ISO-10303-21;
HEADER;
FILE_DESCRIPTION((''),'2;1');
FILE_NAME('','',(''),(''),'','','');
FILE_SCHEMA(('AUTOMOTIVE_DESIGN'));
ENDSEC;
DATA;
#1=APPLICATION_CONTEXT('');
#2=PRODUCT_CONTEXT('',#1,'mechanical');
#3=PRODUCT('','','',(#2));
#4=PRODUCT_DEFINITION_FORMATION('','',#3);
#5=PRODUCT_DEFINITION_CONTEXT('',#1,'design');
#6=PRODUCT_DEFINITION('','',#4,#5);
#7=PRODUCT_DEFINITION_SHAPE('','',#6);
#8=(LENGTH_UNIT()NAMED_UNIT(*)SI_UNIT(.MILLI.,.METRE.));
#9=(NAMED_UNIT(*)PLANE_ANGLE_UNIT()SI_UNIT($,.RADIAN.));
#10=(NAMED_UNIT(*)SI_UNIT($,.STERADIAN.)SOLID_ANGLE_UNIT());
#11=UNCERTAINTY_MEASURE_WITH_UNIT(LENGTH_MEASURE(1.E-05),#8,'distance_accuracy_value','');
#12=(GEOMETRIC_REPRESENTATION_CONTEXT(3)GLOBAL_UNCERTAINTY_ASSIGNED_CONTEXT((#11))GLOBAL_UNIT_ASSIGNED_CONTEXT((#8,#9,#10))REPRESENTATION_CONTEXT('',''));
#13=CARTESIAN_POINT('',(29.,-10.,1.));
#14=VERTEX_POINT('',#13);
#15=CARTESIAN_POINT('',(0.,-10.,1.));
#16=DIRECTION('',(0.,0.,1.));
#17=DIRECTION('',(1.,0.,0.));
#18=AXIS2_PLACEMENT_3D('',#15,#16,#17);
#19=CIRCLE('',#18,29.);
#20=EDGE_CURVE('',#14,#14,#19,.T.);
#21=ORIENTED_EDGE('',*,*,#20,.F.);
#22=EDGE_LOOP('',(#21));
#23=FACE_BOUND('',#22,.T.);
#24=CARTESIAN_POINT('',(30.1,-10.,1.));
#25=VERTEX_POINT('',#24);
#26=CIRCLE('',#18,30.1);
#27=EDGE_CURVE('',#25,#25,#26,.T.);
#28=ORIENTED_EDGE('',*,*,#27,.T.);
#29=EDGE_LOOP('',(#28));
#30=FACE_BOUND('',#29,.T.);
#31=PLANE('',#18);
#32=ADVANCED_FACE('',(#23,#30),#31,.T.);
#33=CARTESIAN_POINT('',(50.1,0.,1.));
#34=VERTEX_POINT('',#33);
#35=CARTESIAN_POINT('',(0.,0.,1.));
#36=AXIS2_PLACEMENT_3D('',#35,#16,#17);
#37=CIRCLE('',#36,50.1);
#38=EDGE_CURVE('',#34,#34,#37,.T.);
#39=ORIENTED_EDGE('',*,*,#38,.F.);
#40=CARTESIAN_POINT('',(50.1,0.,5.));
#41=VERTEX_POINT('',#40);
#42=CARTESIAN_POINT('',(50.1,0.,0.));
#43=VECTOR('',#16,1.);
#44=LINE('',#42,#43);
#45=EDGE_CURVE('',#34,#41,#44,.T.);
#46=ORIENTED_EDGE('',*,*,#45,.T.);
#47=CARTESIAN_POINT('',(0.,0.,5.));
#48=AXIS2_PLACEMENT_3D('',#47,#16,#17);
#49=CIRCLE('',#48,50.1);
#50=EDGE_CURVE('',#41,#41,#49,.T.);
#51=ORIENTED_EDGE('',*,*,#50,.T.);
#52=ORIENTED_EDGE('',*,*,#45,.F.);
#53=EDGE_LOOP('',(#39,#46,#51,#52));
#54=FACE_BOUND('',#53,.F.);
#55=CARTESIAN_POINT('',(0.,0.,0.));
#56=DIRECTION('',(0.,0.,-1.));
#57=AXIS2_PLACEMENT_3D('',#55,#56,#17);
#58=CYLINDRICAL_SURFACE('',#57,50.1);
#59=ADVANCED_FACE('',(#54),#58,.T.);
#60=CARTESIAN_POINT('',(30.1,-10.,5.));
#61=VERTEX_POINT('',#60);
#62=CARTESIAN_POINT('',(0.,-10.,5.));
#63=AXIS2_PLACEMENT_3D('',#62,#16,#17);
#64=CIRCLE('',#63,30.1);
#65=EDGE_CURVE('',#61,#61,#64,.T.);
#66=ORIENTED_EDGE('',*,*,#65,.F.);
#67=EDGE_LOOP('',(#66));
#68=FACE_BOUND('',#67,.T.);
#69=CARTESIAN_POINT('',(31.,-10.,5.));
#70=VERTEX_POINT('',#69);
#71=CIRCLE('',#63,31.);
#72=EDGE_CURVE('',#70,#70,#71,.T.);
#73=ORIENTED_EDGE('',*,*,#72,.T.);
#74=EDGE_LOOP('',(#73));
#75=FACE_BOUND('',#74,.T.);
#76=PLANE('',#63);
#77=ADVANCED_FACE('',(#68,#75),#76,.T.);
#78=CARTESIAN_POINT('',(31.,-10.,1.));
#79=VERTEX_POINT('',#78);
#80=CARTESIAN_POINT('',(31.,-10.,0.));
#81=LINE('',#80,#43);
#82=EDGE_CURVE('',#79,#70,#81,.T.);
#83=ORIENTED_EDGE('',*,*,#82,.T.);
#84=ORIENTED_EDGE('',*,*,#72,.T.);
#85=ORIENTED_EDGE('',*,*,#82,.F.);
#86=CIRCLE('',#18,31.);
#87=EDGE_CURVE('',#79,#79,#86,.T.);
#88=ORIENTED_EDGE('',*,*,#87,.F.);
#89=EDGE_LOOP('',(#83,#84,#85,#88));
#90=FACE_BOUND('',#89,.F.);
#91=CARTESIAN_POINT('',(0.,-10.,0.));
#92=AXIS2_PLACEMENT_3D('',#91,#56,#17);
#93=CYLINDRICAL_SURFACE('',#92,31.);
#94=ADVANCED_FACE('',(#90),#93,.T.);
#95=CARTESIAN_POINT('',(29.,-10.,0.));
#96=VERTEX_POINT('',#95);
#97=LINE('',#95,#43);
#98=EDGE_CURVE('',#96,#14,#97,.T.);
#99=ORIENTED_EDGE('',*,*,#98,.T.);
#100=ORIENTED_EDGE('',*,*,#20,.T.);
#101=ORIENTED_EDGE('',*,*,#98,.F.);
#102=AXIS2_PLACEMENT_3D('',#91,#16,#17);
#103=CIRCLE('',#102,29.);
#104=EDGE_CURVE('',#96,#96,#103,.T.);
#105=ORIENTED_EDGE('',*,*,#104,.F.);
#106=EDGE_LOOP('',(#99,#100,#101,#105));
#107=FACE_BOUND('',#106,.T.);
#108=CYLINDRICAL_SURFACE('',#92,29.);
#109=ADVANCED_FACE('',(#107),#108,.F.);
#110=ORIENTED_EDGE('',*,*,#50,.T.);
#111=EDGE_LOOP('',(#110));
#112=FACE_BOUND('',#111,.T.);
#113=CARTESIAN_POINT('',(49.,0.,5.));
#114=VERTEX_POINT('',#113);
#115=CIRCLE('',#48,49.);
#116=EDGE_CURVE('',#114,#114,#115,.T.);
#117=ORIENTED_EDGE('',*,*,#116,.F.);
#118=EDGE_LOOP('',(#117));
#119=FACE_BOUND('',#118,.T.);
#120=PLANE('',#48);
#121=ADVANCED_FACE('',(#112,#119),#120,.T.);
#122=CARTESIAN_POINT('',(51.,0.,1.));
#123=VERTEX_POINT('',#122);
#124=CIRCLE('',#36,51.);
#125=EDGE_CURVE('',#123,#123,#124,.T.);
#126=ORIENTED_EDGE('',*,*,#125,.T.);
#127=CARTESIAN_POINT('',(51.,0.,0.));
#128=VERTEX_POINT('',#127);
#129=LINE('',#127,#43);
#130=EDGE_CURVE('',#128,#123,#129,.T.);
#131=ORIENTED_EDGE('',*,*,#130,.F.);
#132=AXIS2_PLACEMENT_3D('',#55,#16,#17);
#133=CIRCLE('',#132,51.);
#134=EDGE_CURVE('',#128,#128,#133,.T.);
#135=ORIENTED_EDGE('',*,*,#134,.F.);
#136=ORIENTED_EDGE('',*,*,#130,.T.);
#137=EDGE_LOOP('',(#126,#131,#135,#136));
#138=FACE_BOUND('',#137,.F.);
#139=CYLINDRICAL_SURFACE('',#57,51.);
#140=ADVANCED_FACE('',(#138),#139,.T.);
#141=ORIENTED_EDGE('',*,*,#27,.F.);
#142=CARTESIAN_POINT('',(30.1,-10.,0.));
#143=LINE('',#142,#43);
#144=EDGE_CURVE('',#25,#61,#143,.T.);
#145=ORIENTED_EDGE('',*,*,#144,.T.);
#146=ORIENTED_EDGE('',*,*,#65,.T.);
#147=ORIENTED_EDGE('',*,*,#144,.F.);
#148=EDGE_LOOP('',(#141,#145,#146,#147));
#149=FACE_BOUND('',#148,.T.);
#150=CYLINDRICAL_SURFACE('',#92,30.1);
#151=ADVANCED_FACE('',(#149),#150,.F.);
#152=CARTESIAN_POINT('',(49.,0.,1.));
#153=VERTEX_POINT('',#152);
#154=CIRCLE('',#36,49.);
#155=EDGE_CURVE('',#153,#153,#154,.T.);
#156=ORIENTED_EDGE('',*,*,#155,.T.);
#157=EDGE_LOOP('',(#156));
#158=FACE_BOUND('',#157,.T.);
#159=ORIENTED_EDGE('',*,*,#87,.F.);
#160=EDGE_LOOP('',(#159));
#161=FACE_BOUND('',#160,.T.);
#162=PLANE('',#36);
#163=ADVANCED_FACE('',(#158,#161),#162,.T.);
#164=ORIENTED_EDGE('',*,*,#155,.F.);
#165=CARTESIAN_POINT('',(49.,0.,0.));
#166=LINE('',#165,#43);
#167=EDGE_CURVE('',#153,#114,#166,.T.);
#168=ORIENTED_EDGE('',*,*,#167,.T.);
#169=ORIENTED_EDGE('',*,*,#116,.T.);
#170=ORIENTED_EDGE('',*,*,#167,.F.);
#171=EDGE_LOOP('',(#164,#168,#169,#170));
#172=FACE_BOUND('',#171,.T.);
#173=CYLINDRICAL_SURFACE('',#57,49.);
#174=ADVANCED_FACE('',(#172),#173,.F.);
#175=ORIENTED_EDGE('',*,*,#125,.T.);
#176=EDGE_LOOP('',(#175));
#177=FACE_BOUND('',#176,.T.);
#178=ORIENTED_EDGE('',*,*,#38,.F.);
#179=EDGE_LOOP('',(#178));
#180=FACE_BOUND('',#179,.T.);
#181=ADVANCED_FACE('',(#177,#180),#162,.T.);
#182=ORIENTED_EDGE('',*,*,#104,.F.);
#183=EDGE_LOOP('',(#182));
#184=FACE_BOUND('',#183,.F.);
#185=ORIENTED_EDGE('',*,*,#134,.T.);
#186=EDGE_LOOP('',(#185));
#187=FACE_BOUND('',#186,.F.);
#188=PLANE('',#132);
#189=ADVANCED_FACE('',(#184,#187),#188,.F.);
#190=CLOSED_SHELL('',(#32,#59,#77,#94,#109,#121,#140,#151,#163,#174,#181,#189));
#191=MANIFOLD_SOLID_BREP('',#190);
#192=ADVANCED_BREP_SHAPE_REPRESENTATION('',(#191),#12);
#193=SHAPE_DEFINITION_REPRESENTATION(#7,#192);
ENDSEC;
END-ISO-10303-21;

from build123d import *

# Parameters (mm, degrees)
F0_R     = 51
F0_R_2   = 50.1
F1_DEPTH = 1
F0_R_3   = 30.1
F0_R_4   = 29
F0_R_5   = 49
F0_R_6   = 31
F2_DEPTH = 5


with BuildPart() as f1:
    # F0 (on Top) → F1 (new body)
    with BuildSketch(Plane.XY):
        Circle(F0_R)
        Circle(F0_R_2, mode=Mode.SUBTRACT)
    extrude(amount=F1_DEPTH)



with BuildPart() as f1b:
    # F0 (on Top) → F1, piece 2 (new body)
    with BuildSketch(Plane.XY):
        with Locations((0, -10)):
            Circle(F0_R_3)
        with Locations((0, -10)):
            Circle(F0_R_4, mode=Mode.SUBTRACT)
    extrude(amount=F1_DEPTH)


with BuildPart() as f1c:
    # F0 (on Top) → F1, piece 3 (new body)
    with BuildSketch(Plane.XY):
        Circle(F0_R_5)
        with Locations((0, -10)):
            Circle(F0_R_6, mode=Mode.SUBTRACT)
    extrude(amount=F1_DEPTH)


with BuildPart() as f1_1:
    add(f1.part)

    add(f1b.part)  # F2 merges F1b

    add(f1c.part)  # F2 merges F1c
    # F0 (on Top) → F2 (join)
    with BuildSketch(Plane.XY):
        Circle(F0_R_2)
        Circle(F0_R_5, mode=Mode.SUBTRACT)
        with Locations((0, -10)):
            Circle(F0_R_6)
        with Locations((0, -10)):
            Circle(F0_R_3, mode=Mode.SUBTRACT)
    extrude(amount=F2_DEPTH)


solid = f1_1.part
